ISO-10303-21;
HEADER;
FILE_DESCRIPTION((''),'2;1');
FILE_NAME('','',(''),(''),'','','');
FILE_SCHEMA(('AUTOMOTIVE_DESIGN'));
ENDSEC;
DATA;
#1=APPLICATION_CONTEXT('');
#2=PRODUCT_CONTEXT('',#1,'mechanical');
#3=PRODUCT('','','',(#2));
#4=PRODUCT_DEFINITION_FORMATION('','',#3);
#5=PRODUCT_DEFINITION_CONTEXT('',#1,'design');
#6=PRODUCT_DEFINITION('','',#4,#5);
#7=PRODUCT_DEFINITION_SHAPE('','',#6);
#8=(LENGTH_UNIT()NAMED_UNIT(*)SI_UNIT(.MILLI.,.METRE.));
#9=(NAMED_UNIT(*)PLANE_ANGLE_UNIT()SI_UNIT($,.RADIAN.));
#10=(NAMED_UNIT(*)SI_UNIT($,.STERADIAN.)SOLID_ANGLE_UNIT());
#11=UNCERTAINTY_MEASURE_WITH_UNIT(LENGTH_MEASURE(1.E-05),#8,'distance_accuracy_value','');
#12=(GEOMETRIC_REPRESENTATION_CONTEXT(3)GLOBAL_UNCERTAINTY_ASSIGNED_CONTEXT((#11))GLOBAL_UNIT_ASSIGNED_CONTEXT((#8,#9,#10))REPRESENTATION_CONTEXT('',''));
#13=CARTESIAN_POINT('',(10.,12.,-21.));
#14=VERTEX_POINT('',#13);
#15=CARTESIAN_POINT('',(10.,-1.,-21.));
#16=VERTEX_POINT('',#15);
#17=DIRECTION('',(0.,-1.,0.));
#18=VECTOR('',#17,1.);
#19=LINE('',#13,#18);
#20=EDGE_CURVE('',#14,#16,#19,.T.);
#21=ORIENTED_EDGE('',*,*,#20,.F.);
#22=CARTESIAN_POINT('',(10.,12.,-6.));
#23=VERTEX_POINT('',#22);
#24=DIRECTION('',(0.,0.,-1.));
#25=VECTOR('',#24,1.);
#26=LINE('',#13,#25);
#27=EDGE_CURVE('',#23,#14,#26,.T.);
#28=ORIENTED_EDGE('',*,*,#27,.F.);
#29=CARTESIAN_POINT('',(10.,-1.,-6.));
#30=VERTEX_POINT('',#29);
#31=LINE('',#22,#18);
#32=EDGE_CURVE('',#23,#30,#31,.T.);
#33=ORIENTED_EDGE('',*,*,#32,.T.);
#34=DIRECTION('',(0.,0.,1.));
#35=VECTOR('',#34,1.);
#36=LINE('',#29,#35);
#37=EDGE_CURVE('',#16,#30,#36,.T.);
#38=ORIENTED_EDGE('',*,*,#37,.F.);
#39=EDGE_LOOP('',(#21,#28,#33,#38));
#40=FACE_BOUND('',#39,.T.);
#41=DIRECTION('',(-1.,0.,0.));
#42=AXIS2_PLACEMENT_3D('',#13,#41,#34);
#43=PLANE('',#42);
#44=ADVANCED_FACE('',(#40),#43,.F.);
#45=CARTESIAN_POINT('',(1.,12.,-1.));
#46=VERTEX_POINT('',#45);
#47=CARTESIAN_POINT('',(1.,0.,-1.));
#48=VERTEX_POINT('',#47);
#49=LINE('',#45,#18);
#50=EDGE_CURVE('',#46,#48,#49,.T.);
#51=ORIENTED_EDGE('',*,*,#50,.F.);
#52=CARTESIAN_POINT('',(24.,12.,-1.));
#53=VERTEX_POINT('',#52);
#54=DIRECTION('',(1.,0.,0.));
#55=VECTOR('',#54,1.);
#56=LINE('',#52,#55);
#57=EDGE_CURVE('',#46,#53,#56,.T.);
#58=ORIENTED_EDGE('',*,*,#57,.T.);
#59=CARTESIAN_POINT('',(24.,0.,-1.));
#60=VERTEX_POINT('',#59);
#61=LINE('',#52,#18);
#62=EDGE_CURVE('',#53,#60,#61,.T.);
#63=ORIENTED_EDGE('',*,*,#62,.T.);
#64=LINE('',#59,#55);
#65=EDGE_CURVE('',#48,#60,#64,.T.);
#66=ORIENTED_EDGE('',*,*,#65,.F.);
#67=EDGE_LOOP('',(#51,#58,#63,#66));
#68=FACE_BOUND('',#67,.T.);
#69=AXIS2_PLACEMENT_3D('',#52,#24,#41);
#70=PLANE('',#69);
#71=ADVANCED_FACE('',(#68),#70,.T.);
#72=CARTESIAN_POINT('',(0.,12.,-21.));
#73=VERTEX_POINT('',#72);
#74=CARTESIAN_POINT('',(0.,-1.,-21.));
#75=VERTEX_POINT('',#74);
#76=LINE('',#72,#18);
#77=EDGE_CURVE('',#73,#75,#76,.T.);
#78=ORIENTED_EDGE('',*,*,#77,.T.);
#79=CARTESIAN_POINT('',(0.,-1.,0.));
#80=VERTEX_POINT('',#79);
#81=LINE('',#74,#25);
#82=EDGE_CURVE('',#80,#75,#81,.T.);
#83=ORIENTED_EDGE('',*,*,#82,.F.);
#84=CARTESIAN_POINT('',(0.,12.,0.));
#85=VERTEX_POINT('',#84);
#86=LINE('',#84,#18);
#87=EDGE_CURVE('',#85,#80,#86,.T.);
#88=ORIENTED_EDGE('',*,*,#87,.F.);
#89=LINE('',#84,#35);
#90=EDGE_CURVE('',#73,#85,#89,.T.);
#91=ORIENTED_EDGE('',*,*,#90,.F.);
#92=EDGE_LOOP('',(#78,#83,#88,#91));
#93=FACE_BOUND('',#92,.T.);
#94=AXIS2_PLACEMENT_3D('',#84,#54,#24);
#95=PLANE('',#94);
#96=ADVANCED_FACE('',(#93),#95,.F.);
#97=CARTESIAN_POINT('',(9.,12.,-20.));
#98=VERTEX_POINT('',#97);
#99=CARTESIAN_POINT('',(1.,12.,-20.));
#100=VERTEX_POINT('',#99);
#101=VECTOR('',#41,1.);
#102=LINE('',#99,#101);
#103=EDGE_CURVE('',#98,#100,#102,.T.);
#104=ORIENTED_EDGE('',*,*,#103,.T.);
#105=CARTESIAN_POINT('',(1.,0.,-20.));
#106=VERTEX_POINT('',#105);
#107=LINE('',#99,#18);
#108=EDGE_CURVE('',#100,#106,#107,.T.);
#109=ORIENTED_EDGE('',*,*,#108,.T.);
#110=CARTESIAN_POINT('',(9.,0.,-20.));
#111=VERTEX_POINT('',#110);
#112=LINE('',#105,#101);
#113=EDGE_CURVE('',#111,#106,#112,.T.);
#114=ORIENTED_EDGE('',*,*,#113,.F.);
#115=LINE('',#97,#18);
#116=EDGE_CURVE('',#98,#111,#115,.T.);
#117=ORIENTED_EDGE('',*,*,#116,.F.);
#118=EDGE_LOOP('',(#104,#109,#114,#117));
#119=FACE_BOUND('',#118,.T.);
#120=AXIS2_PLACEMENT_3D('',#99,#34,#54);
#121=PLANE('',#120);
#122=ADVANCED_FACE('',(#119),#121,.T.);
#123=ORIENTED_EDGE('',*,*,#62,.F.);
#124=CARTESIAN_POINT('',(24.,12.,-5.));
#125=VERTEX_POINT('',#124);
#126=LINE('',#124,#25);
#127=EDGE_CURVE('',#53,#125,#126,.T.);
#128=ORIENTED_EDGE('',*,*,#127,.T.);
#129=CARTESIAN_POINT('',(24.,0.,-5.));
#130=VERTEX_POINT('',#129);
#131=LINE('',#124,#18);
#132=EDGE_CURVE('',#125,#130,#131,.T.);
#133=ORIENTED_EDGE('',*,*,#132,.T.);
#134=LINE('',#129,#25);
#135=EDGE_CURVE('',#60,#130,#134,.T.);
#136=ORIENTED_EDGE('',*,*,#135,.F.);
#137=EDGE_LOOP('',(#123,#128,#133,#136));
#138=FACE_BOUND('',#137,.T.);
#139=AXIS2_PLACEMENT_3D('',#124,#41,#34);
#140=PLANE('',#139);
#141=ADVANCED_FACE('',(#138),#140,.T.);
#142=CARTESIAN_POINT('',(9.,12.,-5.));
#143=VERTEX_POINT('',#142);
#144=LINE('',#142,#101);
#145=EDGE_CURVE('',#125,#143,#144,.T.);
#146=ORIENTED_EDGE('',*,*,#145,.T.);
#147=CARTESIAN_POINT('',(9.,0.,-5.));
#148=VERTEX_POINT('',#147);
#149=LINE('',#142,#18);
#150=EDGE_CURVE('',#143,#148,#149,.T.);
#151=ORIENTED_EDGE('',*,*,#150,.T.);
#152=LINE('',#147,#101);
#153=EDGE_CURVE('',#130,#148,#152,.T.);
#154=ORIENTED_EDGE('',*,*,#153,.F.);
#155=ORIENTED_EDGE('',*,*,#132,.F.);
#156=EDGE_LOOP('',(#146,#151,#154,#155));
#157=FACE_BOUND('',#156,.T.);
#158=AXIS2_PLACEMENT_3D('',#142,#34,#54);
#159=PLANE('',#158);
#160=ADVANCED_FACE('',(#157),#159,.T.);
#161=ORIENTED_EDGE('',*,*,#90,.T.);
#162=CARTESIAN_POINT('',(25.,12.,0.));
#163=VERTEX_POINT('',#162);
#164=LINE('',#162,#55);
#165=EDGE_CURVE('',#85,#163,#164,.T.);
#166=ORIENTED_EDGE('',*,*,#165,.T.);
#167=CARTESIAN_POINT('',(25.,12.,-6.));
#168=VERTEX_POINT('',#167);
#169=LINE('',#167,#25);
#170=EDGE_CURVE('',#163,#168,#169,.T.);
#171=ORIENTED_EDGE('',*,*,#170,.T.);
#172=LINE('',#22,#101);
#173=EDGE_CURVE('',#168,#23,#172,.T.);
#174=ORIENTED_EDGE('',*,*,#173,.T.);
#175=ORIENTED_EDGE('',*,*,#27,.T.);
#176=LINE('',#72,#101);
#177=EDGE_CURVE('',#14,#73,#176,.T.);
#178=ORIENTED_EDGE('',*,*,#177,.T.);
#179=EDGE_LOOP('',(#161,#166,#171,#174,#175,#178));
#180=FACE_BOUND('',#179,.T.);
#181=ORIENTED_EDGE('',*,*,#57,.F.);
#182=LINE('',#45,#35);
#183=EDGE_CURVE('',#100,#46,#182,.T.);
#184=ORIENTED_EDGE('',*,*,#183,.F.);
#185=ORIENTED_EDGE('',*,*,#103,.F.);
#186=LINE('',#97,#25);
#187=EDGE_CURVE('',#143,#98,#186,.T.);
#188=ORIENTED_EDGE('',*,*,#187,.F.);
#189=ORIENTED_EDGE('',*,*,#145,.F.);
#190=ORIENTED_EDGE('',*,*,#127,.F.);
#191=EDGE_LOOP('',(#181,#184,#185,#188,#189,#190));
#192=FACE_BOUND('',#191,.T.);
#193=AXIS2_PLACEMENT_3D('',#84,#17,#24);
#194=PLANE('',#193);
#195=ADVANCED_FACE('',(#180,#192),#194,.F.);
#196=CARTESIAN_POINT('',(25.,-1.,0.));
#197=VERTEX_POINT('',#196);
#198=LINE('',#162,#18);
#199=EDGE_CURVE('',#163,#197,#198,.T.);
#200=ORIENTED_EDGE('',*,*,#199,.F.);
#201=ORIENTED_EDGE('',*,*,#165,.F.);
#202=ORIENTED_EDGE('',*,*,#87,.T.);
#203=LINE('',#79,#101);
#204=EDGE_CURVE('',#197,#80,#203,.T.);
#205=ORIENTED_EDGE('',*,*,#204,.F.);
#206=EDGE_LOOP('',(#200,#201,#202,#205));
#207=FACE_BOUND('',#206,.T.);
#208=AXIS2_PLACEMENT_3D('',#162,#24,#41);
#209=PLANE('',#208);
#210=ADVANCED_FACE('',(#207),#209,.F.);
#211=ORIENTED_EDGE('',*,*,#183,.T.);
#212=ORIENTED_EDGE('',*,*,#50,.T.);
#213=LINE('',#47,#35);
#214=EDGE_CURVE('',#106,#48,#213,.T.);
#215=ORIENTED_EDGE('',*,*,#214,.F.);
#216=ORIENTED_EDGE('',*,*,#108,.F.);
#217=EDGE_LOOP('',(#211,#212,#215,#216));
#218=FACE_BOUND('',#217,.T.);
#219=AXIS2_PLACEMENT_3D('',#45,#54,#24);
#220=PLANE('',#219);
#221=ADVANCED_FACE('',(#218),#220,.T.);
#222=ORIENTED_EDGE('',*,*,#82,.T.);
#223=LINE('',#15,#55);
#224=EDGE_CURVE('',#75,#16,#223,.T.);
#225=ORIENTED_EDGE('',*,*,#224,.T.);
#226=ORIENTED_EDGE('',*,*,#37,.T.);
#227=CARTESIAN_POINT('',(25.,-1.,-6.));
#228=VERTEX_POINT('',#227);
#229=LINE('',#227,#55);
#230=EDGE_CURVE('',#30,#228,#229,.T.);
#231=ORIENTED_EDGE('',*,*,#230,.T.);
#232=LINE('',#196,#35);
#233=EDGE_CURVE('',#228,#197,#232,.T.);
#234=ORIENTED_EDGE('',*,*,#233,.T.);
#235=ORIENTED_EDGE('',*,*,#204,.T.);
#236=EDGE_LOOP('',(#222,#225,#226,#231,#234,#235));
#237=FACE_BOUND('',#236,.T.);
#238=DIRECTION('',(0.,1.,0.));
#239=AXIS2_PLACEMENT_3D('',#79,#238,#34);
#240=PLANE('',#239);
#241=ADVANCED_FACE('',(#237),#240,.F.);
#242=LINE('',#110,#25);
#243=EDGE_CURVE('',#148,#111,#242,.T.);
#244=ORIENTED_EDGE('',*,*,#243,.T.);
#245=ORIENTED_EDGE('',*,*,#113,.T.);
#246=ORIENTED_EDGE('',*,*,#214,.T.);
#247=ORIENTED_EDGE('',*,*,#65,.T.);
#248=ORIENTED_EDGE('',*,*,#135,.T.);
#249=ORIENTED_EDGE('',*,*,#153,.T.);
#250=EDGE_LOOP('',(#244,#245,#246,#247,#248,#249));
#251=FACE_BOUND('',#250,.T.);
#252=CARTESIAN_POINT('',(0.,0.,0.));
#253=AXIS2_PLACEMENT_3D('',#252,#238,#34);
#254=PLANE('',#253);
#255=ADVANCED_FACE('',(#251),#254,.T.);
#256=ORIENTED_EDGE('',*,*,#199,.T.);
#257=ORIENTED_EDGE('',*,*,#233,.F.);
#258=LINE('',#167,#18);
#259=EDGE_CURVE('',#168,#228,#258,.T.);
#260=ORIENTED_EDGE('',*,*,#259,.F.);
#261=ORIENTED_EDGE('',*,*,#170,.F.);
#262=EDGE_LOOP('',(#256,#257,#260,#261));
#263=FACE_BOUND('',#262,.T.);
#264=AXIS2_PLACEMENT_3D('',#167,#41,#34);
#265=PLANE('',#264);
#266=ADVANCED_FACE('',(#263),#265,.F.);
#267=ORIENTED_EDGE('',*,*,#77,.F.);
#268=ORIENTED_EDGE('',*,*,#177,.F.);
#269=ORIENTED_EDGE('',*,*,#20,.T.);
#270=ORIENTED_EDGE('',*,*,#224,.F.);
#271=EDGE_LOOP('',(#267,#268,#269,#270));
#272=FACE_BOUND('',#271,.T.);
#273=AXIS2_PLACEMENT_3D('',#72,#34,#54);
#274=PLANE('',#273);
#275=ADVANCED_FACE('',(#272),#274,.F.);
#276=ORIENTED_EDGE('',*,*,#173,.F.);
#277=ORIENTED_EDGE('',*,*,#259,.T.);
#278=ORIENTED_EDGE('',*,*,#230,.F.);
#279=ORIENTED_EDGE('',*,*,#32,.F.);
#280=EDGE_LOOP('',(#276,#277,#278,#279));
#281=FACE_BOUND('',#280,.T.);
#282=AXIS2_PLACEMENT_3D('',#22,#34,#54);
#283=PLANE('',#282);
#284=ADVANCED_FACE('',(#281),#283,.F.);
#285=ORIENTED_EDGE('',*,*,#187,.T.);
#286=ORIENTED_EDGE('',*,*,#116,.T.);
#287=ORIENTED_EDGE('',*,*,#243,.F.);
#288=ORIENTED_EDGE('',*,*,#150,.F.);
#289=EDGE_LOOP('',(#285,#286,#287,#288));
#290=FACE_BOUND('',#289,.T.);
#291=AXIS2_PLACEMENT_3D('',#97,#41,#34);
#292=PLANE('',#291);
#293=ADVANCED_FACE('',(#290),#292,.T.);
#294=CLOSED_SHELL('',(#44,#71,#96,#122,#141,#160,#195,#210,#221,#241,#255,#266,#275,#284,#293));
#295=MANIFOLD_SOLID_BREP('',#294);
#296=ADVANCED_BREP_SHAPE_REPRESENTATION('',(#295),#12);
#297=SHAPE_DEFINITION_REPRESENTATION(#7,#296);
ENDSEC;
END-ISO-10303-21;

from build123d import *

# Parameters (mm, degrees)
EXTRUDE_1_DEPTH = 12
EXTRUDE_2_DEPTH = 1


with BuildPart() as part:
    # 草图1 → 凸台-拉伸1 (new body)
    with BuildSketch(Plane(origin=(0, 0, 0), x_dir=(1, 0, 0), z_dir=(0, 1, 0))):
        Polygon((0, 0), (0, 21), (10, 21), (10, 6), (25, 6), (25, 0), align=None)
        Polygon((1, 20), (9, 20), (9, 5), (24, 5), (24, 1), (1, 1), align=None, mode=Mode.SUBTRACT)
    extrude(amount=EXTRUDE_1_DEPTH)

    # 草图3 → 凸台-拉伸2 (add)
    with BuildSketch(Plane.XZ):
        Polygon((10, -21), (0, -21), (0, 0), (25, 0), (25, -6), (10, -6), align=None)
    extrude(amount=EXTRUDE_2_DEPTH)


solid = part.part
